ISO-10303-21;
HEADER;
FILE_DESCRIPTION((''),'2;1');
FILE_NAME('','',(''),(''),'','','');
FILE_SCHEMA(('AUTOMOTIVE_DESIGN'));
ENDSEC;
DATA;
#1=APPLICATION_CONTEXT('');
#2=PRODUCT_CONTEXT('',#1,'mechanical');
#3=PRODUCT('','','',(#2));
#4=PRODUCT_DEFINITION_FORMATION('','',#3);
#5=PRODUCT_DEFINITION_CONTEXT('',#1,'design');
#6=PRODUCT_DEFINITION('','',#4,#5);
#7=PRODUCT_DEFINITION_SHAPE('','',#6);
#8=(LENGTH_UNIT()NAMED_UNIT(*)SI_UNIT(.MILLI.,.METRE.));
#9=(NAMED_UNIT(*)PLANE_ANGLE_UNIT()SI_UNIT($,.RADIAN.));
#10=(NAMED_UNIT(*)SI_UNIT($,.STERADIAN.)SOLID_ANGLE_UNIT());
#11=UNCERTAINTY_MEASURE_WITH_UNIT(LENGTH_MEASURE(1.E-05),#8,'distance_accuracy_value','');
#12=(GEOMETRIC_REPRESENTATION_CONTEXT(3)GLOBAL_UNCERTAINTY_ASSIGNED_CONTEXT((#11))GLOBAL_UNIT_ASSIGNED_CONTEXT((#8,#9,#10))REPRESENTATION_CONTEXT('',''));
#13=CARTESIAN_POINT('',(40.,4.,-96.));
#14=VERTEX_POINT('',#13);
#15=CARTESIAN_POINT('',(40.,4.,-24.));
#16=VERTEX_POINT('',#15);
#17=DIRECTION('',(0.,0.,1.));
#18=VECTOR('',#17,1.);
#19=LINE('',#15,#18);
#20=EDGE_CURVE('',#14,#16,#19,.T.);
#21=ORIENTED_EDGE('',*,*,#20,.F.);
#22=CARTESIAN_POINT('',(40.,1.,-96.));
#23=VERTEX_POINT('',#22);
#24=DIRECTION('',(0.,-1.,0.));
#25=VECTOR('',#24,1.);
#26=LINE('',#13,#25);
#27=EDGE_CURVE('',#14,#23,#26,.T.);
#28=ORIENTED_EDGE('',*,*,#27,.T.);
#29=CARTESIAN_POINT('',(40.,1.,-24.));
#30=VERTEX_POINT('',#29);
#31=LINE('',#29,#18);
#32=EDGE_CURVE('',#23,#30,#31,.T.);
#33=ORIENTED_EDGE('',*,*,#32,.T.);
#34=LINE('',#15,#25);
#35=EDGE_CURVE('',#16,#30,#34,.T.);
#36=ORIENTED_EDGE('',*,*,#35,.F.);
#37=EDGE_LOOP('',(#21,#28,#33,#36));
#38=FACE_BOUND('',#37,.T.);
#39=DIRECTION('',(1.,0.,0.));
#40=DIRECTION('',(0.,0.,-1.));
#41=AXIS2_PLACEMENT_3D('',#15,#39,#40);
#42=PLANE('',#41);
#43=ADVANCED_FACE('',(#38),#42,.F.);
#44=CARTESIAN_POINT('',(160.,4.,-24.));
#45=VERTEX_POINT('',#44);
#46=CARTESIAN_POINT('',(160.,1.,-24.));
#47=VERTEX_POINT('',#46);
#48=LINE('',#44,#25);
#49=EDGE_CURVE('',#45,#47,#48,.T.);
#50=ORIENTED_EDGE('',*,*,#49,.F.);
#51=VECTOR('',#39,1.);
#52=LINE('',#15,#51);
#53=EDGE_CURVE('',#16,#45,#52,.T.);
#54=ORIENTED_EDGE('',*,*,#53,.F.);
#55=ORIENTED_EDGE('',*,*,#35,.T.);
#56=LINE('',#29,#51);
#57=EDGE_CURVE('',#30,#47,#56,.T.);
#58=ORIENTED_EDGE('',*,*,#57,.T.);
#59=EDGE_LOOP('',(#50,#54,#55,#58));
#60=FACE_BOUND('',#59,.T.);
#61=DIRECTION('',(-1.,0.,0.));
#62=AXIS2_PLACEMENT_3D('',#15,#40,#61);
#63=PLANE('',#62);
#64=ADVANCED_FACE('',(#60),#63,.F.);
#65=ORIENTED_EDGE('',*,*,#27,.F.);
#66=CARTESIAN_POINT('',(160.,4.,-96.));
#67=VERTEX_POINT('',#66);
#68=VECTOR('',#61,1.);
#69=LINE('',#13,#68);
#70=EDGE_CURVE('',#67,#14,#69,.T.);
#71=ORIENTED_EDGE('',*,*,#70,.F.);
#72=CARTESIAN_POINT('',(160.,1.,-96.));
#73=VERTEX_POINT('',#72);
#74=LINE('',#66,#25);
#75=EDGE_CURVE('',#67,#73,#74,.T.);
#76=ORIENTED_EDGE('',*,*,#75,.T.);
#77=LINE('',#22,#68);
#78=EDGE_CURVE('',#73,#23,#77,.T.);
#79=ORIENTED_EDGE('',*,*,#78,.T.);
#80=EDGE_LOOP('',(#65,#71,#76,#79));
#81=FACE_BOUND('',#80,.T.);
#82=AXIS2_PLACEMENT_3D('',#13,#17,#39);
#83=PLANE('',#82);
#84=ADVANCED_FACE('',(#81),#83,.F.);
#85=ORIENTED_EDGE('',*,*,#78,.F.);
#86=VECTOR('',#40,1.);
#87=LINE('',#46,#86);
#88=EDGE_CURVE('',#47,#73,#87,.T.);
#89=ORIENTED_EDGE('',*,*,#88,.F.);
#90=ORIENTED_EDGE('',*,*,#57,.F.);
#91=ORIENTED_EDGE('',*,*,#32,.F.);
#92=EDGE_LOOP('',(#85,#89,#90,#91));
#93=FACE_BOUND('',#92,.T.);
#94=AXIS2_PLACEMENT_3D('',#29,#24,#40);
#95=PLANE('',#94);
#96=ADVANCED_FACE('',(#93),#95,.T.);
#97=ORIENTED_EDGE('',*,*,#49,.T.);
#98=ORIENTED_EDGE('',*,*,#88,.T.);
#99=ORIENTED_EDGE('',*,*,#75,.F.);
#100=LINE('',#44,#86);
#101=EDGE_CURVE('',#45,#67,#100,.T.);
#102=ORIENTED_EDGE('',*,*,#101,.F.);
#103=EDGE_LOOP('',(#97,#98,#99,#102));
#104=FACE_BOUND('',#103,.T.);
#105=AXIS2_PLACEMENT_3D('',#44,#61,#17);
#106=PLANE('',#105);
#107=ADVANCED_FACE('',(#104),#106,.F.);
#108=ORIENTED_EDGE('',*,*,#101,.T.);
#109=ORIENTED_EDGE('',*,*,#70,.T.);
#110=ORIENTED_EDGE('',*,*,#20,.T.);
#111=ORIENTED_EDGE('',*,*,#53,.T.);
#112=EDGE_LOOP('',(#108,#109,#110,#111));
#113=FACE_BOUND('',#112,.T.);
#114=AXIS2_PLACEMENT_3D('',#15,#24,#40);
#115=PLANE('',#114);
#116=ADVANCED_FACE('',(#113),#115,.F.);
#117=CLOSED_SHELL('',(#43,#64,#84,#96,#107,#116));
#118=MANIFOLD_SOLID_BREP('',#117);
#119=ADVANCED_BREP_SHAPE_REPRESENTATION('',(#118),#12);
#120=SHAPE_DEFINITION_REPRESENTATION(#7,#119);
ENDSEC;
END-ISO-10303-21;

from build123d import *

# Parameters (mm, degrees)
IZIM1_W                     = 200
IZIM1_H                     = 120
Y_KSEKLIK_EKSTR_ZYON1_DEPTH = 5
SCALE3_SCALE                = 0.6


with BuildPart() as part:
    # Çizim1 → Yükseklik-Ekstrüzyon1 (new body)
    with BuildSketch(Plane(origin=(0, 0, 0), x_dir=(1, 0, 0), z_dir=(0, 1, 0))):
        with Locations((100, 60)):
            Rectangle(IZIM1_W, IZIM1_H)
    extrude(amount=Y_KSEKLIK_EKSTR_ZYON1_DEPTH)


with BuildPart() as part_1:
    # Scale3: scaled about (100, 2.5, -60)
    add(part.part.scale(SCALE3_SCALE).moved(Location((40, 1, -24))))


solid = part_1.part
